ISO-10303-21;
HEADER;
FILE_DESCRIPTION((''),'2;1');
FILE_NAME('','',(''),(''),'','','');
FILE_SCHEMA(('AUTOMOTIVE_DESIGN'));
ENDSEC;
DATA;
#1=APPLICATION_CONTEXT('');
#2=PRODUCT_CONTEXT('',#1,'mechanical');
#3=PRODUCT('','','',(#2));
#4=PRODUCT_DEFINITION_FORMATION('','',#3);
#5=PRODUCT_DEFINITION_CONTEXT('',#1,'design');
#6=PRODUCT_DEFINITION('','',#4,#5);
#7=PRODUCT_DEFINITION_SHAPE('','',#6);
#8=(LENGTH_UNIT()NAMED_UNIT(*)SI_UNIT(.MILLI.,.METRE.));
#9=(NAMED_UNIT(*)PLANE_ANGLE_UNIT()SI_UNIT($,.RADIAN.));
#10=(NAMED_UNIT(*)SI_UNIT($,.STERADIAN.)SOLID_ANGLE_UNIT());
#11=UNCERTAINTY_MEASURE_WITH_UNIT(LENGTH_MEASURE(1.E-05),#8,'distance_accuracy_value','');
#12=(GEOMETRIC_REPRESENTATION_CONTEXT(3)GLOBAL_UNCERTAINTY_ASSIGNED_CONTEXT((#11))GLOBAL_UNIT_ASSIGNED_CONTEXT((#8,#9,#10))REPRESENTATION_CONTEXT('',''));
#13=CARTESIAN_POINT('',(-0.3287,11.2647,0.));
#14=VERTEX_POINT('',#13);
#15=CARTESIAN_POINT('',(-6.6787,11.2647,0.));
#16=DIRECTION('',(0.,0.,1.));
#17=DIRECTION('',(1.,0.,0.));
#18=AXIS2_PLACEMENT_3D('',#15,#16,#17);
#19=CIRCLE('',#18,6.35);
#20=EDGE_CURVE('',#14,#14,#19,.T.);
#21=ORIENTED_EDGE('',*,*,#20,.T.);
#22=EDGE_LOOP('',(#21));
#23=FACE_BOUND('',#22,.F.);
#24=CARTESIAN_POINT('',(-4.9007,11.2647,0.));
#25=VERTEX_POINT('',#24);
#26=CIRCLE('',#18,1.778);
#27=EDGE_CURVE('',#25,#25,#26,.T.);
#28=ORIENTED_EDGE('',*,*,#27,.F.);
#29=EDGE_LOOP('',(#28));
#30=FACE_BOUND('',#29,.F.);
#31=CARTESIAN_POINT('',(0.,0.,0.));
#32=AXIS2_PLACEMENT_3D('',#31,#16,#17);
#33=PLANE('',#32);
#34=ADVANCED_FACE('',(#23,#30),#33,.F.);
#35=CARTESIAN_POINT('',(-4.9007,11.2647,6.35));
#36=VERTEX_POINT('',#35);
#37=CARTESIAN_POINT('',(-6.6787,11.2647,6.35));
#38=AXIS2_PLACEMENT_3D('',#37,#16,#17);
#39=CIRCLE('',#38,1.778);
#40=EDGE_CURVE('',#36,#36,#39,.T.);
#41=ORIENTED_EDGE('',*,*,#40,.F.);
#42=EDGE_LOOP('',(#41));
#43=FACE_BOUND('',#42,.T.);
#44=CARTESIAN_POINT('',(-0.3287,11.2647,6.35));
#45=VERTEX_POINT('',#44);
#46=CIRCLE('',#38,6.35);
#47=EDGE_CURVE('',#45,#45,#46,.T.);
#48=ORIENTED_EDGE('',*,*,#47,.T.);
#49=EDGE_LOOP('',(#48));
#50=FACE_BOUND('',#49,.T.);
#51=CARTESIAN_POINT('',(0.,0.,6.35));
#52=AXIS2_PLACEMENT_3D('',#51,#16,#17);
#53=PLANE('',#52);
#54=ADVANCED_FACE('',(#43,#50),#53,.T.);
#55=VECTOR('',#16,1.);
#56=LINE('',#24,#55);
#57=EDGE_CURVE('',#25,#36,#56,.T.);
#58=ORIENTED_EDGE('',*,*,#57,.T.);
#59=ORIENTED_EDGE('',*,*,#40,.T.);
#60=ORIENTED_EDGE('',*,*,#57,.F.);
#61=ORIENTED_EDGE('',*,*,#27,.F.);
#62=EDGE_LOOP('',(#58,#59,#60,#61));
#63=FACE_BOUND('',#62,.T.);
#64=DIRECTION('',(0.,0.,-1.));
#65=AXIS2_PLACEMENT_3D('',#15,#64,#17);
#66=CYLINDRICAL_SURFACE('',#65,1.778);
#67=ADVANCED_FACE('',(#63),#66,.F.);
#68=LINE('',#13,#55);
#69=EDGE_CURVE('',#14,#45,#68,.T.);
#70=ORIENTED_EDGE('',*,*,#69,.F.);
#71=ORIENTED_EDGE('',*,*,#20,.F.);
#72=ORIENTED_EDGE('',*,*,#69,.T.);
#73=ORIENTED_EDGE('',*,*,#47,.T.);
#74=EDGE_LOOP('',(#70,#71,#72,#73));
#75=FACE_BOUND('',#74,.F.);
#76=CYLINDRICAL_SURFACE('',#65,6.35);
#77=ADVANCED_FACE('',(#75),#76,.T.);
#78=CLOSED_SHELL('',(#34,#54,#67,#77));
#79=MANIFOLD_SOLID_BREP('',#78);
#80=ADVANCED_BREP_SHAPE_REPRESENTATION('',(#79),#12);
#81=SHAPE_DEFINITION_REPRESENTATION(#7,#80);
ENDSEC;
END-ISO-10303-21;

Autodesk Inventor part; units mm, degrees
ref_plane "YZ Plane" through (0, 0, 0) normal (1, 0, 0) x (0, 1, 0)
ref_plane "XZ Plane" through (0, 0, 0) normal (0, 1, 0) x (-1, 0, 0)
ref_plane "XY Plane" through (0, 0, 0) normal (0, 0, 1) x (1, 0, 0)
sketch "Sketch1" plane through (0, 0, 0) normal (0, 0, 1) x (1, 0, 0)
  circle A0 centre (-6.6787, 11.2647) radius 6.35
  circle A1 centre (-6.6787, 11.2647) radius 1.778
  point P0 (0, 0)
  dimension "d0" = 12.7
  dimension "d2" = 3.556
extrude "Extrusion1" add sketch "Sketch1" along normal blind 6.35
properties part number "wheel"
